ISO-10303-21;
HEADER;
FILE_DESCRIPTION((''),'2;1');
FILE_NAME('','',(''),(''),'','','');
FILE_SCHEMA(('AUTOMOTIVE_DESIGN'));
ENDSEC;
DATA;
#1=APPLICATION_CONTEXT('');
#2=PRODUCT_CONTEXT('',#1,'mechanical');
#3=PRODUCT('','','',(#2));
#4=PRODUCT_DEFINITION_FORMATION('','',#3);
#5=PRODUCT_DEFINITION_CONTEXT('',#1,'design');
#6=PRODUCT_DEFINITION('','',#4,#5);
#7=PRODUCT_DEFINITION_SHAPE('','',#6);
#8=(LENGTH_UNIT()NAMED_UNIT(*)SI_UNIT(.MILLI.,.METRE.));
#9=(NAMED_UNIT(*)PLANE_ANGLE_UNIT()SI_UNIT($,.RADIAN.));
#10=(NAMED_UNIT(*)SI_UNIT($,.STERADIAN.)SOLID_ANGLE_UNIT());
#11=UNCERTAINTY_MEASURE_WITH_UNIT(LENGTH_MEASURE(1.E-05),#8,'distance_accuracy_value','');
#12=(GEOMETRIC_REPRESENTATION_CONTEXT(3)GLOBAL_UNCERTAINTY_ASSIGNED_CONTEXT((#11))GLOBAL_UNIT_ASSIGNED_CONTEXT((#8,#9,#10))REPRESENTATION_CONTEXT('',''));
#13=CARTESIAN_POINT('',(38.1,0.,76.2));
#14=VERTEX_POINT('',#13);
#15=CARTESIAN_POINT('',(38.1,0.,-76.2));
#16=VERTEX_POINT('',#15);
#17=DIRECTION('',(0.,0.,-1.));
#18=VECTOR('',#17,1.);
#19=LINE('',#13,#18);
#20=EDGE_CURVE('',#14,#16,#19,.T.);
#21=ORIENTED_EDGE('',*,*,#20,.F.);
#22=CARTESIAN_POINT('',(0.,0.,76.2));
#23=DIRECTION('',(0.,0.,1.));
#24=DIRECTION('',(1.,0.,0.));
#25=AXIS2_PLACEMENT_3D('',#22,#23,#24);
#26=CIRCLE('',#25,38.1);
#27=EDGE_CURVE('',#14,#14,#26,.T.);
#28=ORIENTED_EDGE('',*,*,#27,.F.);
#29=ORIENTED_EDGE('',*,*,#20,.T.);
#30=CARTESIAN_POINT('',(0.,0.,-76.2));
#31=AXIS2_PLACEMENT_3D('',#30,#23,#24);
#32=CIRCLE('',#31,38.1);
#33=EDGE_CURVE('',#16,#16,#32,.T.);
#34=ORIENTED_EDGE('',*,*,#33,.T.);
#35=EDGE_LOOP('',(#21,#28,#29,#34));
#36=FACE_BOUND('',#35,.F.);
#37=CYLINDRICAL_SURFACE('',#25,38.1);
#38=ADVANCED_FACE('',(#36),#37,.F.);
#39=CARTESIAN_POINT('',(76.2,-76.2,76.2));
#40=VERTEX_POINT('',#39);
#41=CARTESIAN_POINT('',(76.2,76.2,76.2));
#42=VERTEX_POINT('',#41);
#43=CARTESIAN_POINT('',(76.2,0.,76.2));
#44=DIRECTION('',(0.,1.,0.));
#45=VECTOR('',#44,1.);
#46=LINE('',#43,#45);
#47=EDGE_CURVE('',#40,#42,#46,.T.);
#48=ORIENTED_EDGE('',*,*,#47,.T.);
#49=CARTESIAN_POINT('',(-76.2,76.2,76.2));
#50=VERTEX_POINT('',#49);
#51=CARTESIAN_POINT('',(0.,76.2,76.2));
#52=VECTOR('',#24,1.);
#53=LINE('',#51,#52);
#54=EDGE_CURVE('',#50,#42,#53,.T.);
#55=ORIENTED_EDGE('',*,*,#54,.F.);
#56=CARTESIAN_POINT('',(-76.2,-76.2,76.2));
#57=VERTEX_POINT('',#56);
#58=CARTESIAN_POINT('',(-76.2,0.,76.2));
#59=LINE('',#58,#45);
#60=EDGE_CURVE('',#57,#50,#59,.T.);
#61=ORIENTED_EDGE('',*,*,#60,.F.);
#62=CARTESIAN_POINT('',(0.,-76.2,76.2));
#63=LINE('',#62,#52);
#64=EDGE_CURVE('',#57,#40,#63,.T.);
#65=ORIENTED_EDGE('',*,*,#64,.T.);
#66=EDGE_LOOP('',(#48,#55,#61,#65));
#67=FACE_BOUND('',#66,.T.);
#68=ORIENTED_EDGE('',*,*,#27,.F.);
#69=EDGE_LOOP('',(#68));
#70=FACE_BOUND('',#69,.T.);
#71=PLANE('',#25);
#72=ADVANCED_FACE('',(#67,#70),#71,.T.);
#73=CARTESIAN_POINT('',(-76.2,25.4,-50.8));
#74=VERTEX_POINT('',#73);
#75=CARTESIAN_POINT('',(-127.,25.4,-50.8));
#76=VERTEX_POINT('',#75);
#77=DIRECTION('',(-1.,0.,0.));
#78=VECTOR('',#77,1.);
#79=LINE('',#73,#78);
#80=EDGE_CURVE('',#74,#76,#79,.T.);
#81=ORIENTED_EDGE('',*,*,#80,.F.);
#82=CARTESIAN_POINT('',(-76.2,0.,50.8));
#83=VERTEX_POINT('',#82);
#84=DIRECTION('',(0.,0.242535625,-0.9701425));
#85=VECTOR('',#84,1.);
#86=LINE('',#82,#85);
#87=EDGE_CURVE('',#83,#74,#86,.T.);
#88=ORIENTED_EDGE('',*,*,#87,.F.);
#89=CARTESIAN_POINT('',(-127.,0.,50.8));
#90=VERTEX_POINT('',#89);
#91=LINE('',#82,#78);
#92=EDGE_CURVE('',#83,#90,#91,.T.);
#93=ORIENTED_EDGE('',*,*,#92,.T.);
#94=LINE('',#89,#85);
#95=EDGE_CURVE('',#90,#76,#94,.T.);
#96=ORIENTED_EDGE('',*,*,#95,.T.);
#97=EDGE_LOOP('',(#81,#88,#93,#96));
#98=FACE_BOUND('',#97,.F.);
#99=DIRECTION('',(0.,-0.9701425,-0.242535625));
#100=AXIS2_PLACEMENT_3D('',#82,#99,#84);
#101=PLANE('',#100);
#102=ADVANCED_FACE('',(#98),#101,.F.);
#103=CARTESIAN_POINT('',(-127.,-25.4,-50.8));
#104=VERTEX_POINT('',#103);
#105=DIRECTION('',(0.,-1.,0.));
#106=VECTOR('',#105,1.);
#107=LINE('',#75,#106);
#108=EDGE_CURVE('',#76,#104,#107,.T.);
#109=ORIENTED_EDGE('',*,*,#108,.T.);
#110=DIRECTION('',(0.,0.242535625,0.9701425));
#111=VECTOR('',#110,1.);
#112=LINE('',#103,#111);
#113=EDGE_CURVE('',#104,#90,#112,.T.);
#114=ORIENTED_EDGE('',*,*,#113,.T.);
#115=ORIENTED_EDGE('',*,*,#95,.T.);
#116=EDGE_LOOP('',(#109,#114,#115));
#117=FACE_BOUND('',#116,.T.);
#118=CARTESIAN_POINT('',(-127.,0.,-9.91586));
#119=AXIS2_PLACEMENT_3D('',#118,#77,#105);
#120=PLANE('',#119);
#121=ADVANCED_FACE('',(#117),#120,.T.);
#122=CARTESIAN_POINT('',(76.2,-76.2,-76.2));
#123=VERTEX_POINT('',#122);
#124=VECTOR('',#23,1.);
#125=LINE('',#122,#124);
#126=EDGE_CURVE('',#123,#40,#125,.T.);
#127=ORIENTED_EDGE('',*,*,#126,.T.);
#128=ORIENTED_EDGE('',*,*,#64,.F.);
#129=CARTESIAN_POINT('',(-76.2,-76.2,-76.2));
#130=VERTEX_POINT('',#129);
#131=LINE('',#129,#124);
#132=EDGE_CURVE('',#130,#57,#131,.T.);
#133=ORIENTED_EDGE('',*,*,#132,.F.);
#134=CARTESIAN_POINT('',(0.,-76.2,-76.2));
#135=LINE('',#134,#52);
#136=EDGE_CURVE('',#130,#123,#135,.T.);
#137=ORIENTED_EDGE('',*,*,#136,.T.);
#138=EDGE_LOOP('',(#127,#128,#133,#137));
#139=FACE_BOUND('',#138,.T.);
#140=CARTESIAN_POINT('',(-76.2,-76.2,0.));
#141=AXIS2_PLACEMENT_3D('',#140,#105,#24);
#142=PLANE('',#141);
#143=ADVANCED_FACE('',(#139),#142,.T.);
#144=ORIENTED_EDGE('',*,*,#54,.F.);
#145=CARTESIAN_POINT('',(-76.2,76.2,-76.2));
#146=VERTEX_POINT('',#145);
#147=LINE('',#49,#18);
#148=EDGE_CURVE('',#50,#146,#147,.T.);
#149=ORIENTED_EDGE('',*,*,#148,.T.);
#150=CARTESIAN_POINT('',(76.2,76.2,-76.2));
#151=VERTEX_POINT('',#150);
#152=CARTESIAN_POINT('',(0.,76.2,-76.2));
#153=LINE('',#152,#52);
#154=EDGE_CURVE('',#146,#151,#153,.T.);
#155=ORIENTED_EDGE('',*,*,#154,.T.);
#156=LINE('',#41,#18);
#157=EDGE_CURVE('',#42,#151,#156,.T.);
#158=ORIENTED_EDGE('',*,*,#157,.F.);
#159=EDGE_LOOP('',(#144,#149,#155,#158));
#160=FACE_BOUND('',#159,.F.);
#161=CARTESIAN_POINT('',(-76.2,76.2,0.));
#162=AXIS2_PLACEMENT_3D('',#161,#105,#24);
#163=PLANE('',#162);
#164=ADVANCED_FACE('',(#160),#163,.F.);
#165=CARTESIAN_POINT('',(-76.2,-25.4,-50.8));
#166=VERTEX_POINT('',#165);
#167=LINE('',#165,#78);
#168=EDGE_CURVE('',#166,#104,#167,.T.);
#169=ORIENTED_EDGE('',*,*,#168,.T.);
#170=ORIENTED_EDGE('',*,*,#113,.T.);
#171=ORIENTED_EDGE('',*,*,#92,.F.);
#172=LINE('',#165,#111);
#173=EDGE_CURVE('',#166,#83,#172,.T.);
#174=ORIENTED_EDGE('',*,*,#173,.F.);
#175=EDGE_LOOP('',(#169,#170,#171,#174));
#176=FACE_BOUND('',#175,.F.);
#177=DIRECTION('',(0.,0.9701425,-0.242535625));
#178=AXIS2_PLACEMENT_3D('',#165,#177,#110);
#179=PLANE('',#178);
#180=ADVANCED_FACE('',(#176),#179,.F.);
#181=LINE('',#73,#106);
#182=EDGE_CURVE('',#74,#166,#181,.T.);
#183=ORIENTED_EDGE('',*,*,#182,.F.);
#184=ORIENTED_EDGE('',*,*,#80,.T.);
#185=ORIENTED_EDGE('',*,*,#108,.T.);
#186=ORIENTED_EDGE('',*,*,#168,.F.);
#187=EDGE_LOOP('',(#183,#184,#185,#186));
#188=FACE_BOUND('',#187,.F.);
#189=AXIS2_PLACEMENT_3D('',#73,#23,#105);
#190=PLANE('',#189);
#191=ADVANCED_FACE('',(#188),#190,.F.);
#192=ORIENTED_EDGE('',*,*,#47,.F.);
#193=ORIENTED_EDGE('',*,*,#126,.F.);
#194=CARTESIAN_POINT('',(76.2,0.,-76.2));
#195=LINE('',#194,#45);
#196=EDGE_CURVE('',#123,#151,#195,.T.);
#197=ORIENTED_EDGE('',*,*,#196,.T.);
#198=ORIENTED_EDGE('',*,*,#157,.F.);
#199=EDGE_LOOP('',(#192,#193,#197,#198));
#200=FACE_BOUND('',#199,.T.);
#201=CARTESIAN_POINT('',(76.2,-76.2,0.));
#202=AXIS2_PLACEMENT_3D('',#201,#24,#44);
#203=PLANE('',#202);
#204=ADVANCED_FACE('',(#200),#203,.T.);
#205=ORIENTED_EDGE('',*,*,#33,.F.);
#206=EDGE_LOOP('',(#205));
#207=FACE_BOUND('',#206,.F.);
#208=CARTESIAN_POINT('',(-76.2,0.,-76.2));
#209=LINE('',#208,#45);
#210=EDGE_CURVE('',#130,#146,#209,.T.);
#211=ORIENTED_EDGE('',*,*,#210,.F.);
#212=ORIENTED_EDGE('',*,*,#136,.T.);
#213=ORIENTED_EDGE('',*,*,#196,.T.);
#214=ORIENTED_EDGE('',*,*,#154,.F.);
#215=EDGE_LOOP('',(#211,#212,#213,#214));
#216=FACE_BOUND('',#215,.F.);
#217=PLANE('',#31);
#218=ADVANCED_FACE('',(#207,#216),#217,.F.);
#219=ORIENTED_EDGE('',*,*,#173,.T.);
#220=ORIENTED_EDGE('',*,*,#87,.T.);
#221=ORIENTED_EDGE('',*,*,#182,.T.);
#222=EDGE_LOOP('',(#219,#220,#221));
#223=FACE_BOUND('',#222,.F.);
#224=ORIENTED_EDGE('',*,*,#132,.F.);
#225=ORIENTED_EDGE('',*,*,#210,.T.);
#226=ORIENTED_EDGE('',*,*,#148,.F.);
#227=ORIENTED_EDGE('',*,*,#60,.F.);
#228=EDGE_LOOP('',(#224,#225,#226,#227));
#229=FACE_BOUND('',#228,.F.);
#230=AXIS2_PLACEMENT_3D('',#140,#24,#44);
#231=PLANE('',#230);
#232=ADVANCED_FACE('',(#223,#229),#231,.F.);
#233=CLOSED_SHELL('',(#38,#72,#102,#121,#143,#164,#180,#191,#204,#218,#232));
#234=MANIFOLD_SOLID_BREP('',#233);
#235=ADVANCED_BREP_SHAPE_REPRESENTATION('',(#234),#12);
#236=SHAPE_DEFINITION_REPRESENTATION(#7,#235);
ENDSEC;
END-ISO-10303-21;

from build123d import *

# Parameters (mm, degrees)
F0_W     = 152.4
F0_H     = 152.4
F1_DEPTH = 76.2
F2_R     = 38.1
F3_DEPTH = 152.401
F5_DEPTH = 50.8


with BuildPart() as f1:
    # F0 (on Top) → F1 (new body, symmetric)
    with BuildSketch(Plane.XY):
        Rectangle(F0_W, F0_H)
    extrude(amount=F1_DEPTH, both=True)

    # F2 (on face) → F3 (cut, through all)
    with BuildSketch(Plane.XY.offset(76.2)):
        Circle(F2_R)
    extrude(amount=-F3_DEPTH, mode=Mode.SUBTRACT)

    # F4 (on face) → F5 (join)
    with BuildSketch(Plane(origin=(-76.2, 0, 0), x_dir=(0, -1, 0), z_dir=(-1, 0, 0))):
        Polygon((0, 50.8), (-25.4, -50.8), (25.4, -50.8), align=None)
    extrude(amount=F5_DEPTH)


solid = f1.part
